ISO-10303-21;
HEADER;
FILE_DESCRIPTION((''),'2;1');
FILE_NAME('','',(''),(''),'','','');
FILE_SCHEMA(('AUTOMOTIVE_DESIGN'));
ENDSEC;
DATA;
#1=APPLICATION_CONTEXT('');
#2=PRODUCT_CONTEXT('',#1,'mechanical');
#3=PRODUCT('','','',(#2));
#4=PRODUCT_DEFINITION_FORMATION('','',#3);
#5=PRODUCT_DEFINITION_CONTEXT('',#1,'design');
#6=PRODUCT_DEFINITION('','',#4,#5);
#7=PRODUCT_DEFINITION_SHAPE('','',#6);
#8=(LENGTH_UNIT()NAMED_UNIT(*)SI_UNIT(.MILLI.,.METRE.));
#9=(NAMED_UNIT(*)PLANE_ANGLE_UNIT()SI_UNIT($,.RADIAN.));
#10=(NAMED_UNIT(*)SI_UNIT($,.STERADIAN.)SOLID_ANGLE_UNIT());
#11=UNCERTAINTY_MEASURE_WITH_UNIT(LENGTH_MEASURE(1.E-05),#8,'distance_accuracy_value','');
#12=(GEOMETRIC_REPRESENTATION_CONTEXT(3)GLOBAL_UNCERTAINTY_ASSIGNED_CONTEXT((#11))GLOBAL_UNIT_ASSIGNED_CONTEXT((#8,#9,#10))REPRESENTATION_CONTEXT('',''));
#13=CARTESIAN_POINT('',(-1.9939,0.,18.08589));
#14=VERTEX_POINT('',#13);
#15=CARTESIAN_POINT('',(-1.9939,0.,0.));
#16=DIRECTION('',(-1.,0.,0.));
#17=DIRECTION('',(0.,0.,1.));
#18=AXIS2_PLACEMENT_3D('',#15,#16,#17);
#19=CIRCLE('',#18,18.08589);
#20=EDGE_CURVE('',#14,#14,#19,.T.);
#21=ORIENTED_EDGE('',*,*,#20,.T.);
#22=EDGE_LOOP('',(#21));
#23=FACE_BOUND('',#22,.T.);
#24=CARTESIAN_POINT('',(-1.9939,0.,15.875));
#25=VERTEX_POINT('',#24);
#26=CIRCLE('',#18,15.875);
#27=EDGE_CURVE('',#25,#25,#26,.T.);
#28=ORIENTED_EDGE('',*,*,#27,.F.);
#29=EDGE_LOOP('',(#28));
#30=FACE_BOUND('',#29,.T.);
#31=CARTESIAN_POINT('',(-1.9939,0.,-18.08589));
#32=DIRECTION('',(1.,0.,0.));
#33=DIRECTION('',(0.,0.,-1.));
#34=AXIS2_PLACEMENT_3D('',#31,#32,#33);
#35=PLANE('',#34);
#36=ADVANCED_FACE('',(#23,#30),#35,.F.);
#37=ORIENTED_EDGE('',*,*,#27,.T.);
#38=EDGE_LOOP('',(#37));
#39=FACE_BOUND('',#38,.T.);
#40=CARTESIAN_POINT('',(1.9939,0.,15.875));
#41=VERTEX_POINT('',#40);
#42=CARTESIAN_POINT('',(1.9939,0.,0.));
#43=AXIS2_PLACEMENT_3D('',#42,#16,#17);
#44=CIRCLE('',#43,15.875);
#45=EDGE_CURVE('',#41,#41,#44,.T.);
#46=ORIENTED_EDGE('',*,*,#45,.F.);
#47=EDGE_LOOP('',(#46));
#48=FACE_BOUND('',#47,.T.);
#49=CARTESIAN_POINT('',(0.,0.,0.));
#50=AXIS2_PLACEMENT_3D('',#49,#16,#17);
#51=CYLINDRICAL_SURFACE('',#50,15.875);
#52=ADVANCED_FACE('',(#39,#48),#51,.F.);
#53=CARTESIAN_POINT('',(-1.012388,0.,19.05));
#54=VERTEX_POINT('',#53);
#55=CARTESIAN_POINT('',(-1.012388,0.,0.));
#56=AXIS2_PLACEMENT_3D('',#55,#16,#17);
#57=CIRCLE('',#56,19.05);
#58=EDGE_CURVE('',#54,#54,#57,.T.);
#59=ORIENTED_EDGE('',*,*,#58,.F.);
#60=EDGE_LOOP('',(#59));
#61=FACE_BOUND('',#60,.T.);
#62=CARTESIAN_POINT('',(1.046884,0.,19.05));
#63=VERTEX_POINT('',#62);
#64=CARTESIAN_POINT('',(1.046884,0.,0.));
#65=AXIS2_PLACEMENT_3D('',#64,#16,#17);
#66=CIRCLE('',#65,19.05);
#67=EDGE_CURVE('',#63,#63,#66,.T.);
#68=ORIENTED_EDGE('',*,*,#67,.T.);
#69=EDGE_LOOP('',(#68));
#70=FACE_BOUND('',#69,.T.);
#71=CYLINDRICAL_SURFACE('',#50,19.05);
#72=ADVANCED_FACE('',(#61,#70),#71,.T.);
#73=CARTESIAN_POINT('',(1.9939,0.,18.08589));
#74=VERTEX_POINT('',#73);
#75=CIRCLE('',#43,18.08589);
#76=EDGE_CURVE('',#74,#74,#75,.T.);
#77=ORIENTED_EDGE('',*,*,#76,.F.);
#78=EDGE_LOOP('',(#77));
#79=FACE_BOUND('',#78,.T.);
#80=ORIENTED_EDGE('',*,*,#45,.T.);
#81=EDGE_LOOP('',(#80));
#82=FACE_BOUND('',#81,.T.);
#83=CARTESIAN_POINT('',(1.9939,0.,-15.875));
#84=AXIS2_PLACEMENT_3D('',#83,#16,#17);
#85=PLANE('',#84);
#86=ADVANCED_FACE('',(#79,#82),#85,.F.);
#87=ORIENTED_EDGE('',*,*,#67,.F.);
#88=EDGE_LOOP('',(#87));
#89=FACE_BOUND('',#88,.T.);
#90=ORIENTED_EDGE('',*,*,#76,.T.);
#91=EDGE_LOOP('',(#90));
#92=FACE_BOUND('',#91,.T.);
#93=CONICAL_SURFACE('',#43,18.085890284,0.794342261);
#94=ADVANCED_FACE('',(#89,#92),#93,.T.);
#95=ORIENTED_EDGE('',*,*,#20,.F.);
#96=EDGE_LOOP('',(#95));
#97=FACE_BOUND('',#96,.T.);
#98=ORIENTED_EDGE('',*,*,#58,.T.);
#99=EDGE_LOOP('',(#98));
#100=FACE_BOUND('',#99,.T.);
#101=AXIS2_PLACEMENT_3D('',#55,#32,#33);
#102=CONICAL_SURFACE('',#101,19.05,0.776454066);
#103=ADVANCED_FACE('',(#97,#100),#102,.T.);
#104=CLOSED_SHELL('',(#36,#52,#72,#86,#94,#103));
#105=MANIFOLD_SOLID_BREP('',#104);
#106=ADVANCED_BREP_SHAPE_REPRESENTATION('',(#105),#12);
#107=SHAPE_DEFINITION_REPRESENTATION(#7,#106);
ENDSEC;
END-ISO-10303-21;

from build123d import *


with BuildPart() as part:
    # Sketch3 → Revolve1 (revolve)
    with BuildSketch(Plane(origin=(0, 0, 0), x_dir=(1, 0, 0), z_dir=(0, 1, 0)), mode=Mode.PRIVATE) as revolve1_sk:
        Polygon((-1.9939, 15.875), (1.9939, 15.875), (1.9939, 18.085890284), (1.046884034, 19.05), (-1.01238799, 19.05), (-1.9939, 18.085890284), align=None)
    revolve(revolve1_sk.sketch.rotate(Axis((0, 0, 0), (1, 0, 0)), 180), axis=Axis((0, 0, 0), (1, 0, 0)))


solid = part.part
